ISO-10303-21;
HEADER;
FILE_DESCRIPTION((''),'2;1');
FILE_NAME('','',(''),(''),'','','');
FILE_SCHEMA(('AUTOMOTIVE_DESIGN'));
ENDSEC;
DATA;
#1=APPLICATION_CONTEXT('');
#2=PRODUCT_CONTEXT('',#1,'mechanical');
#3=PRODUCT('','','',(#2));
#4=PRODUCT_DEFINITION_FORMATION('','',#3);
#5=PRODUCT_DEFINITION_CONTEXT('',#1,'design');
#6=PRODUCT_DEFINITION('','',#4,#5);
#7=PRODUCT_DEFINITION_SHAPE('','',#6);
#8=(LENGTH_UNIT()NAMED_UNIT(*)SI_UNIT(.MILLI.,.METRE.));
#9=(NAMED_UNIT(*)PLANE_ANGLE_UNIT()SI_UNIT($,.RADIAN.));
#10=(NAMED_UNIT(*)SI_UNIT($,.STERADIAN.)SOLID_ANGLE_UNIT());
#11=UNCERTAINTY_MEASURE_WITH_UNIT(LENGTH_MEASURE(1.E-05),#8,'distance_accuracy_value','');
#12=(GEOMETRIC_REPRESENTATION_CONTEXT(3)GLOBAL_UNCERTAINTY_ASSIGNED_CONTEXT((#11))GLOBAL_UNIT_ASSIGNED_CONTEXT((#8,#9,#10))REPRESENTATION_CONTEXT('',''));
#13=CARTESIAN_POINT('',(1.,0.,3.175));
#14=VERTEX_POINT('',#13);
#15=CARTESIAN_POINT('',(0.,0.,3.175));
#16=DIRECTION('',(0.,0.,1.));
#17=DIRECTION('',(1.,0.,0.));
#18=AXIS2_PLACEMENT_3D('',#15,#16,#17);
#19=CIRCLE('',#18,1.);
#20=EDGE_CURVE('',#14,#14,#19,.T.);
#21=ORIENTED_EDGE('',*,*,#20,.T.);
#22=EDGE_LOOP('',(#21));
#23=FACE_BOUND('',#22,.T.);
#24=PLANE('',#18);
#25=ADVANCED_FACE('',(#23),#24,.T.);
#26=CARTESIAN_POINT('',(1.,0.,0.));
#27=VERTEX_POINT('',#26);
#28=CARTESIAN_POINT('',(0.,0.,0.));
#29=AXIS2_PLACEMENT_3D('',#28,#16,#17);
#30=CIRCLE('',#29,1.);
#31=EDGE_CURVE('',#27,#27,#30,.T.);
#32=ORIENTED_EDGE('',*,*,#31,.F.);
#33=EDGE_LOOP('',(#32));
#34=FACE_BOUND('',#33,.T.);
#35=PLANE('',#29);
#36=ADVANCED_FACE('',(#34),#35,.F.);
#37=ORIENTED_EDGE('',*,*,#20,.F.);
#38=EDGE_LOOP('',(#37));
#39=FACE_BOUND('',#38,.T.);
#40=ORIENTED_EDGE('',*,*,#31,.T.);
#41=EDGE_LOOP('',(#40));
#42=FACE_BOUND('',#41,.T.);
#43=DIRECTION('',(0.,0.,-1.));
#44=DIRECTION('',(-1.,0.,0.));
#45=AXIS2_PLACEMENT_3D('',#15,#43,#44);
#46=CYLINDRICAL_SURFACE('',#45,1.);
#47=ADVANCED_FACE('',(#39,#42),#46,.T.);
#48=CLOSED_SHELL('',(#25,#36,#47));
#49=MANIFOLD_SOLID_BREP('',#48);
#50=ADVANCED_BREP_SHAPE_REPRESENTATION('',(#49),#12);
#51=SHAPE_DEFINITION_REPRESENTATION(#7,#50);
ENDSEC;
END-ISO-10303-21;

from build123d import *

# Parameters (mm, degrees)
SKETCH1_R           = 1
BOSS_EXTRUDE1_DEPTH = 3.175


with BuildPart() as part:
    # Sketch1 → Boss-Extrude1 (new body)
    with BuildSketch(Plane.XY):
        Circle(SKETCH1_R)
    extrude(amount=BOSS_EXTRUDE1_DEPTH)


solid = part.part
